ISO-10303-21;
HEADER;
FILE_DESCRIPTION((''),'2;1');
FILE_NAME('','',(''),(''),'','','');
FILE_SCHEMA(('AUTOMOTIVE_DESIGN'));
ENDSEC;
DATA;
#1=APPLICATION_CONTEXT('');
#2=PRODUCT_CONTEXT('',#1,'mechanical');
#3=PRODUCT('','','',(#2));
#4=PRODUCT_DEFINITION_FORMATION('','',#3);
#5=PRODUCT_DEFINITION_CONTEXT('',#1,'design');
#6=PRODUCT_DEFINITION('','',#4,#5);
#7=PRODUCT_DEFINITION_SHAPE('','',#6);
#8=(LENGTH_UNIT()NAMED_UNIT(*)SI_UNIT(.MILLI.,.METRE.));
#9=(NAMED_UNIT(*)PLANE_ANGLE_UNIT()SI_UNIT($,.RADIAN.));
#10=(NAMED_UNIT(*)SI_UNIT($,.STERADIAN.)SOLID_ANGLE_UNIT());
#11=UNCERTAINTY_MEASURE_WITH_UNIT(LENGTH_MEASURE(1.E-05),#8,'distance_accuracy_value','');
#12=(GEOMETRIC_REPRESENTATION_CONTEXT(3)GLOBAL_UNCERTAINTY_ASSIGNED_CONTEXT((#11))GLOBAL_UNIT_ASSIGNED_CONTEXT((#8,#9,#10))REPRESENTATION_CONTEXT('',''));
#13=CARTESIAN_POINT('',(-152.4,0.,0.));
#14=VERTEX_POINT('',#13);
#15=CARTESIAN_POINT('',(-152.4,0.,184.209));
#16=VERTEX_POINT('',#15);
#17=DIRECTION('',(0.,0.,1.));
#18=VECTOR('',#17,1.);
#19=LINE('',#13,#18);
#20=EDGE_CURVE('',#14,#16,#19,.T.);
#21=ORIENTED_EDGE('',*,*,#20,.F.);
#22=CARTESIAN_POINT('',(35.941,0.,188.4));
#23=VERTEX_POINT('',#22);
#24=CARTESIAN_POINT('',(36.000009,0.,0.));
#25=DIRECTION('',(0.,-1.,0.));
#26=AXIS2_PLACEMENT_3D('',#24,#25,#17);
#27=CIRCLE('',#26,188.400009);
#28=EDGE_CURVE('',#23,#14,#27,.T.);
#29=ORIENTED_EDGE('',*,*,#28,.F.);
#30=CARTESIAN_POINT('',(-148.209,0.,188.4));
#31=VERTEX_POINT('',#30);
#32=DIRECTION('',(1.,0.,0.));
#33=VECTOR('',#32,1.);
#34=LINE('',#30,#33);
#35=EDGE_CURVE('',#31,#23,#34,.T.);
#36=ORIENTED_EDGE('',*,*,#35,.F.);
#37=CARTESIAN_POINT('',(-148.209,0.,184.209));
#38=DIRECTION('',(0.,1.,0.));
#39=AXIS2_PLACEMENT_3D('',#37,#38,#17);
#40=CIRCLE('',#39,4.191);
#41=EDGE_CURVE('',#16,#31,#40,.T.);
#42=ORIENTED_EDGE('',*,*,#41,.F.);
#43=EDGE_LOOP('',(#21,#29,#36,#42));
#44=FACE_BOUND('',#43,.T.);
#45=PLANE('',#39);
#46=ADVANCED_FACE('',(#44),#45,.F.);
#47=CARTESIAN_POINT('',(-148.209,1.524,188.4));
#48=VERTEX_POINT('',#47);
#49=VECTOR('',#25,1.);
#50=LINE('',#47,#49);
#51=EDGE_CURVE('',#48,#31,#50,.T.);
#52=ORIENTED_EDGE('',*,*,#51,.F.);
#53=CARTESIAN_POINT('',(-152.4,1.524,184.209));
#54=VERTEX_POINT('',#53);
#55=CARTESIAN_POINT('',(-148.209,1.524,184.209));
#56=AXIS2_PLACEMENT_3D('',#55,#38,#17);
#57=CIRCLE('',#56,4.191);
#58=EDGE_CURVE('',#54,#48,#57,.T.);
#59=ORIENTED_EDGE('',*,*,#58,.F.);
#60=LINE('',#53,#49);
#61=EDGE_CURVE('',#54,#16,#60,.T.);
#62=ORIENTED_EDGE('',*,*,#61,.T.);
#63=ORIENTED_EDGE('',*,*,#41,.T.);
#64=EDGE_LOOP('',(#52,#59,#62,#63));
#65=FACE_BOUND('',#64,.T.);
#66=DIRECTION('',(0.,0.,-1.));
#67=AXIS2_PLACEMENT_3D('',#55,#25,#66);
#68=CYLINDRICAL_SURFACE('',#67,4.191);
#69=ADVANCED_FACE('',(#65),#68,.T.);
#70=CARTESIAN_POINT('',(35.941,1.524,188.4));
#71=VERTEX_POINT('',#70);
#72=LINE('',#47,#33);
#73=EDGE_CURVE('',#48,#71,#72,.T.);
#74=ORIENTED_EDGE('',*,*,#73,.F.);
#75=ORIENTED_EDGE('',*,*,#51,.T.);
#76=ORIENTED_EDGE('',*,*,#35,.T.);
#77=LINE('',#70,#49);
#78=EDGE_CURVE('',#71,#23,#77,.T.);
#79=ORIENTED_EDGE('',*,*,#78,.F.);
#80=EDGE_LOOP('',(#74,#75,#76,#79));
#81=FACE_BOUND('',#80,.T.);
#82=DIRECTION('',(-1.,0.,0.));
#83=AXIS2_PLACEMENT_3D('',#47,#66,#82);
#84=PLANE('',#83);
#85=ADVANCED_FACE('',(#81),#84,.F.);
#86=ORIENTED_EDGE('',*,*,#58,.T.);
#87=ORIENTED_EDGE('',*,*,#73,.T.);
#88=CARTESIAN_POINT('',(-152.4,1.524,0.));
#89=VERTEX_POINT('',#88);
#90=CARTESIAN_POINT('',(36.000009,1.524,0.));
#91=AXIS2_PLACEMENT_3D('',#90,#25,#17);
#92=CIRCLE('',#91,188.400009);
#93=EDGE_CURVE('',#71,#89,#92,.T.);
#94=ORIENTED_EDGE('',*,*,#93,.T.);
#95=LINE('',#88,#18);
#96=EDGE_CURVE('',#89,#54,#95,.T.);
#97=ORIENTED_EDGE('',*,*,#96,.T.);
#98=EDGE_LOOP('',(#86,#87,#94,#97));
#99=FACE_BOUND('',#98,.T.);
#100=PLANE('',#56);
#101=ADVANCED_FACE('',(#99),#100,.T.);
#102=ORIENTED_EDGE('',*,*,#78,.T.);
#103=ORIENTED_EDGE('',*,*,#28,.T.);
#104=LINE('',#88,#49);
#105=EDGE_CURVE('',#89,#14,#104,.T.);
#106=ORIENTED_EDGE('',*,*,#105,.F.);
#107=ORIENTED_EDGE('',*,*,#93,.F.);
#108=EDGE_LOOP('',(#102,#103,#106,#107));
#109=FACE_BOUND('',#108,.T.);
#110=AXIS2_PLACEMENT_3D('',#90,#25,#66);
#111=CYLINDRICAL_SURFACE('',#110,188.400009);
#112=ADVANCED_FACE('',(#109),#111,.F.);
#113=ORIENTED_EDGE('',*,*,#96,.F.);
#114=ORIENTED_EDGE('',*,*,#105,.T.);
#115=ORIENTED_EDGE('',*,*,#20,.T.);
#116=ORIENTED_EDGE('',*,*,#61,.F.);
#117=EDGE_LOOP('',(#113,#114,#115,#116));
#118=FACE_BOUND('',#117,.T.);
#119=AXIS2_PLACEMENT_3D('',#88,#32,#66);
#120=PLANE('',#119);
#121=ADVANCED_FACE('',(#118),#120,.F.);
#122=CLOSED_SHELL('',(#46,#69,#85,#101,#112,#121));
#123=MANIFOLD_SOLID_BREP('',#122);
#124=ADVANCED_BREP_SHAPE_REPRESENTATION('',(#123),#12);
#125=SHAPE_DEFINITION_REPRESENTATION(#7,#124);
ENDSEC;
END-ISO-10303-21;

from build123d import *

# Parameters (mm, degrees)
BOSS_EXTRUDE1_DEPTH = 1.524


with BuildPart() as part:
    # Sketch1 → Boss-Extrude1 (new body)
    with BuildSketch(Plane(origin=(0, 0, 0), x_dir=(1, 0, 0), z_dir=(0, 1, 0))):
        with BuildLine():
            Line((-152.4, 0), (-152.4, -184.209))
            ThreePointArc((-152.4, -184.209), (-151.17248452, -187.17248452), (-148.209, -188.4))
            Line((-148.209, -188.4), (35.941, -188.4))
            ThreePointArc((35.941, -188.4), (-97.239776153, -133.198059559), (-152.4, 0))
        make_face()
    extrude(amount=BOSS_EXTRUDE1_DEPTH)


solid = part.part
